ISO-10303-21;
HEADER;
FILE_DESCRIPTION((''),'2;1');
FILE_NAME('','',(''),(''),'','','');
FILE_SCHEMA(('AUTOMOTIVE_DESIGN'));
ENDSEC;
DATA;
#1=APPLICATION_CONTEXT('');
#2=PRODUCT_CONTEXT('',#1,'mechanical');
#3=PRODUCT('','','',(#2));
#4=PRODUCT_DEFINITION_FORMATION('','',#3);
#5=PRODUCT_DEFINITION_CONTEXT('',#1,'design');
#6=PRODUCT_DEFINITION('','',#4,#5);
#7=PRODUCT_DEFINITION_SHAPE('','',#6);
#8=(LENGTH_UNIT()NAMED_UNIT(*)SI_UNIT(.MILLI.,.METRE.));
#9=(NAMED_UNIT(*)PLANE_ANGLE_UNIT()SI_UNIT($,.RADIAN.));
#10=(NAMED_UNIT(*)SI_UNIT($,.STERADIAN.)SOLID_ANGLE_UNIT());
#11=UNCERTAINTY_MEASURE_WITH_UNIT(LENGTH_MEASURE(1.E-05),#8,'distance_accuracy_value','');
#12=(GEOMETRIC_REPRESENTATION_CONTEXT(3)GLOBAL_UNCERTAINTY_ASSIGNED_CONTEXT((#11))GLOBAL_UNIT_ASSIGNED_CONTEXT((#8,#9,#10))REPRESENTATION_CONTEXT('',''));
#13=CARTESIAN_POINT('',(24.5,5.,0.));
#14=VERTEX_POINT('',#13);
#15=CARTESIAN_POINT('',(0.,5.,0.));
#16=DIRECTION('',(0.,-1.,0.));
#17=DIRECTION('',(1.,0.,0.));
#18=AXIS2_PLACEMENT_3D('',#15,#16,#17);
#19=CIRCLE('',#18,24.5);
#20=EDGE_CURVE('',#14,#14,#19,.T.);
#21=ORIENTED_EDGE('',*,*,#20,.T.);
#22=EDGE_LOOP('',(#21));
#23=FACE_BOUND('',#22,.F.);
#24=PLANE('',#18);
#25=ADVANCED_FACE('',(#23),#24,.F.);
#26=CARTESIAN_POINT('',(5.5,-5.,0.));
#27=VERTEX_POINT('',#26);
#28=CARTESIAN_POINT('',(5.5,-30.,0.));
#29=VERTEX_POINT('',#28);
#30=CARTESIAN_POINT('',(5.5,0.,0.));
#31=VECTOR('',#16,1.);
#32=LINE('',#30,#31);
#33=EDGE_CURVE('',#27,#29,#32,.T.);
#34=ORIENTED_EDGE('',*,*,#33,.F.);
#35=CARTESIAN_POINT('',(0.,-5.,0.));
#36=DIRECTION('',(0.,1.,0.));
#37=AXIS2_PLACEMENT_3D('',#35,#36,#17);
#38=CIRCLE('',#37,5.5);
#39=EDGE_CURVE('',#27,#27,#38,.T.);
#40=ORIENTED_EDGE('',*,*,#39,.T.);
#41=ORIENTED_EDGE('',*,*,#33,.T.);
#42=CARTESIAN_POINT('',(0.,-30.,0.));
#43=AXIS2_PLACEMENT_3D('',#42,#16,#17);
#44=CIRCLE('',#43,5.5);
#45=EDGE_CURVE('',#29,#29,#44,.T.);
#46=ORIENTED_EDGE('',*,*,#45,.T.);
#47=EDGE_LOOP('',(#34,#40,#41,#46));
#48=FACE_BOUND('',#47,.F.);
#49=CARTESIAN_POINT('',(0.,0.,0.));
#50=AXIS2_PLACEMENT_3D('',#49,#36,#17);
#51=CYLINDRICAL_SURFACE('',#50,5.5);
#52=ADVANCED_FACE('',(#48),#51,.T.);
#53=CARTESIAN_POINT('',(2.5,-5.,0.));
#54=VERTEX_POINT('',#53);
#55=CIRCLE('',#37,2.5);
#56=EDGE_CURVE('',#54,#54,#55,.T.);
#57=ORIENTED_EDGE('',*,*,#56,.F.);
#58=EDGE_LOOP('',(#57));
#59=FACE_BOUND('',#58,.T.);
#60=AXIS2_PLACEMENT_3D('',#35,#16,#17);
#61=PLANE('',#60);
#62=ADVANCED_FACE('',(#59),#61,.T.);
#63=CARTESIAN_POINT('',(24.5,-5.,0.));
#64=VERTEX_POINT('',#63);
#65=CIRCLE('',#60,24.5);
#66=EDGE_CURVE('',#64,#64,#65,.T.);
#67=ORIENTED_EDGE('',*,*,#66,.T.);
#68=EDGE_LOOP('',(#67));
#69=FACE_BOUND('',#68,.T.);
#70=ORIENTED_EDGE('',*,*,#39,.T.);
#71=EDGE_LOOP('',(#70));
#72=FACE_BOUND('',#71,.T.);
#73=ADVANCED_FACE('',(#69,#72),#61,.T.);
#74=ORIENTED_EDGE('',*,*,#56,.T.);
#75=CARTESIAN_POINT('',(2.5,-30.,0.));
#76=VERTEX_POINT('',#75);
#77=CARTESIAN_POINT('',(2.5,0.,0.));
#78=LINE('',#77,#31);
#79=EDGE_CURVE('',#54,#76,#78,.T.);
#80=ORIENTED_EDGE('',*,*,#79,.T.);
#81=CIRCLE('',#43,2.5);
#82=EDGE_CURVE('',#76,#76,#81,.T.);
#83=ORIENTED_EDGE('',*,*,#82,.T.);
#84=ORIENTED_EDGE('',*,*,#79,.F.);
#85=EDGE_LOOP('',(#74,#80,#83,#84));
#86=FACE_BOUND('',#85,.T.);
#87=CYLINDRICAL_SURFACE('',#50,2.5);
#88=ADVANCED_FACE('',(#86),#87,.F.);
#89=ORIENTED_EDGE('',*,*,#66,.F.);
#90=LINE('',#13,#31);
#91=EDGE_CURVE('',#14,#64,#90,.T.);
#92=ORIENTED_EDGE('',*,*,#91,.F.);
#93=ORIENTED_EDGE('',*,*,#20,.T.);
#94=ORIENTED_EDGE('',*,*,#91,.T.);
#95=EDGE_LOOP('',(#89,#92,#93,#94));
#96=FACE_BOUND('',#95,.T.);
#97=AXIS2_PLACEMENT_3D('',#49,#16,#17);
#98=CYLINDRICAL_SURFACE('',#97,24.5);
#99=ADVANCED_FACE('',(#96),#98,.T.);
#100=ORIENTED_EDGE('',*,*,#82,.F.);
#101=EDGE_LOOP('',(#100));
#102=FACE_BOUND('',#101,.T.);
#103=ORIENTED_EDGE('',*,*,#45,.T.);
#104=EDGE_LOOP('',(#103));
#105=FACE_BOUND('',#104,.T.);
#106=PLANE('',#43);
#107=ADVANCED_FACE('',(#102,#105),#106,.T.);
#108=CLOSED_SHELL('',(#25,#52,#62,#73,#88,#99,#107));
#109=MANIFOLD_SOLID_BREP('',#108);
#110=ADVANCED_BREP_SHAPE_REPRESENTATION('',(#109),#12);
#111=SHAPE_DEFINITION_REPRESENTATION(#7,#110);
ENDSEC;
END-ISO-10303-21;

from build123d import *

# Parameters (mm, degrees)
F0_R     = 24.5
F1_DEPTH = 5
F2_R     = 5.5
F2_R_2   = 2.5
F3_DEPTH = 30


with BuildPart() as f1:
    # F0 (on Front) → F1 (new body, symmetric)
    with BuildSketch(Plane.XZ):
        Circle(F0_R)
    extrude(amount=F1_DEPTH, both=True)

    # F2 (on Front) → F3 (join)
    with BuildSketch(Plane.XZ):
        Circle(F2_R)
        Circle(F2_R_2, mode=Mode.SUBTRACT)
    extrude(amount=F3_DEPTH)


solid = f1.part
